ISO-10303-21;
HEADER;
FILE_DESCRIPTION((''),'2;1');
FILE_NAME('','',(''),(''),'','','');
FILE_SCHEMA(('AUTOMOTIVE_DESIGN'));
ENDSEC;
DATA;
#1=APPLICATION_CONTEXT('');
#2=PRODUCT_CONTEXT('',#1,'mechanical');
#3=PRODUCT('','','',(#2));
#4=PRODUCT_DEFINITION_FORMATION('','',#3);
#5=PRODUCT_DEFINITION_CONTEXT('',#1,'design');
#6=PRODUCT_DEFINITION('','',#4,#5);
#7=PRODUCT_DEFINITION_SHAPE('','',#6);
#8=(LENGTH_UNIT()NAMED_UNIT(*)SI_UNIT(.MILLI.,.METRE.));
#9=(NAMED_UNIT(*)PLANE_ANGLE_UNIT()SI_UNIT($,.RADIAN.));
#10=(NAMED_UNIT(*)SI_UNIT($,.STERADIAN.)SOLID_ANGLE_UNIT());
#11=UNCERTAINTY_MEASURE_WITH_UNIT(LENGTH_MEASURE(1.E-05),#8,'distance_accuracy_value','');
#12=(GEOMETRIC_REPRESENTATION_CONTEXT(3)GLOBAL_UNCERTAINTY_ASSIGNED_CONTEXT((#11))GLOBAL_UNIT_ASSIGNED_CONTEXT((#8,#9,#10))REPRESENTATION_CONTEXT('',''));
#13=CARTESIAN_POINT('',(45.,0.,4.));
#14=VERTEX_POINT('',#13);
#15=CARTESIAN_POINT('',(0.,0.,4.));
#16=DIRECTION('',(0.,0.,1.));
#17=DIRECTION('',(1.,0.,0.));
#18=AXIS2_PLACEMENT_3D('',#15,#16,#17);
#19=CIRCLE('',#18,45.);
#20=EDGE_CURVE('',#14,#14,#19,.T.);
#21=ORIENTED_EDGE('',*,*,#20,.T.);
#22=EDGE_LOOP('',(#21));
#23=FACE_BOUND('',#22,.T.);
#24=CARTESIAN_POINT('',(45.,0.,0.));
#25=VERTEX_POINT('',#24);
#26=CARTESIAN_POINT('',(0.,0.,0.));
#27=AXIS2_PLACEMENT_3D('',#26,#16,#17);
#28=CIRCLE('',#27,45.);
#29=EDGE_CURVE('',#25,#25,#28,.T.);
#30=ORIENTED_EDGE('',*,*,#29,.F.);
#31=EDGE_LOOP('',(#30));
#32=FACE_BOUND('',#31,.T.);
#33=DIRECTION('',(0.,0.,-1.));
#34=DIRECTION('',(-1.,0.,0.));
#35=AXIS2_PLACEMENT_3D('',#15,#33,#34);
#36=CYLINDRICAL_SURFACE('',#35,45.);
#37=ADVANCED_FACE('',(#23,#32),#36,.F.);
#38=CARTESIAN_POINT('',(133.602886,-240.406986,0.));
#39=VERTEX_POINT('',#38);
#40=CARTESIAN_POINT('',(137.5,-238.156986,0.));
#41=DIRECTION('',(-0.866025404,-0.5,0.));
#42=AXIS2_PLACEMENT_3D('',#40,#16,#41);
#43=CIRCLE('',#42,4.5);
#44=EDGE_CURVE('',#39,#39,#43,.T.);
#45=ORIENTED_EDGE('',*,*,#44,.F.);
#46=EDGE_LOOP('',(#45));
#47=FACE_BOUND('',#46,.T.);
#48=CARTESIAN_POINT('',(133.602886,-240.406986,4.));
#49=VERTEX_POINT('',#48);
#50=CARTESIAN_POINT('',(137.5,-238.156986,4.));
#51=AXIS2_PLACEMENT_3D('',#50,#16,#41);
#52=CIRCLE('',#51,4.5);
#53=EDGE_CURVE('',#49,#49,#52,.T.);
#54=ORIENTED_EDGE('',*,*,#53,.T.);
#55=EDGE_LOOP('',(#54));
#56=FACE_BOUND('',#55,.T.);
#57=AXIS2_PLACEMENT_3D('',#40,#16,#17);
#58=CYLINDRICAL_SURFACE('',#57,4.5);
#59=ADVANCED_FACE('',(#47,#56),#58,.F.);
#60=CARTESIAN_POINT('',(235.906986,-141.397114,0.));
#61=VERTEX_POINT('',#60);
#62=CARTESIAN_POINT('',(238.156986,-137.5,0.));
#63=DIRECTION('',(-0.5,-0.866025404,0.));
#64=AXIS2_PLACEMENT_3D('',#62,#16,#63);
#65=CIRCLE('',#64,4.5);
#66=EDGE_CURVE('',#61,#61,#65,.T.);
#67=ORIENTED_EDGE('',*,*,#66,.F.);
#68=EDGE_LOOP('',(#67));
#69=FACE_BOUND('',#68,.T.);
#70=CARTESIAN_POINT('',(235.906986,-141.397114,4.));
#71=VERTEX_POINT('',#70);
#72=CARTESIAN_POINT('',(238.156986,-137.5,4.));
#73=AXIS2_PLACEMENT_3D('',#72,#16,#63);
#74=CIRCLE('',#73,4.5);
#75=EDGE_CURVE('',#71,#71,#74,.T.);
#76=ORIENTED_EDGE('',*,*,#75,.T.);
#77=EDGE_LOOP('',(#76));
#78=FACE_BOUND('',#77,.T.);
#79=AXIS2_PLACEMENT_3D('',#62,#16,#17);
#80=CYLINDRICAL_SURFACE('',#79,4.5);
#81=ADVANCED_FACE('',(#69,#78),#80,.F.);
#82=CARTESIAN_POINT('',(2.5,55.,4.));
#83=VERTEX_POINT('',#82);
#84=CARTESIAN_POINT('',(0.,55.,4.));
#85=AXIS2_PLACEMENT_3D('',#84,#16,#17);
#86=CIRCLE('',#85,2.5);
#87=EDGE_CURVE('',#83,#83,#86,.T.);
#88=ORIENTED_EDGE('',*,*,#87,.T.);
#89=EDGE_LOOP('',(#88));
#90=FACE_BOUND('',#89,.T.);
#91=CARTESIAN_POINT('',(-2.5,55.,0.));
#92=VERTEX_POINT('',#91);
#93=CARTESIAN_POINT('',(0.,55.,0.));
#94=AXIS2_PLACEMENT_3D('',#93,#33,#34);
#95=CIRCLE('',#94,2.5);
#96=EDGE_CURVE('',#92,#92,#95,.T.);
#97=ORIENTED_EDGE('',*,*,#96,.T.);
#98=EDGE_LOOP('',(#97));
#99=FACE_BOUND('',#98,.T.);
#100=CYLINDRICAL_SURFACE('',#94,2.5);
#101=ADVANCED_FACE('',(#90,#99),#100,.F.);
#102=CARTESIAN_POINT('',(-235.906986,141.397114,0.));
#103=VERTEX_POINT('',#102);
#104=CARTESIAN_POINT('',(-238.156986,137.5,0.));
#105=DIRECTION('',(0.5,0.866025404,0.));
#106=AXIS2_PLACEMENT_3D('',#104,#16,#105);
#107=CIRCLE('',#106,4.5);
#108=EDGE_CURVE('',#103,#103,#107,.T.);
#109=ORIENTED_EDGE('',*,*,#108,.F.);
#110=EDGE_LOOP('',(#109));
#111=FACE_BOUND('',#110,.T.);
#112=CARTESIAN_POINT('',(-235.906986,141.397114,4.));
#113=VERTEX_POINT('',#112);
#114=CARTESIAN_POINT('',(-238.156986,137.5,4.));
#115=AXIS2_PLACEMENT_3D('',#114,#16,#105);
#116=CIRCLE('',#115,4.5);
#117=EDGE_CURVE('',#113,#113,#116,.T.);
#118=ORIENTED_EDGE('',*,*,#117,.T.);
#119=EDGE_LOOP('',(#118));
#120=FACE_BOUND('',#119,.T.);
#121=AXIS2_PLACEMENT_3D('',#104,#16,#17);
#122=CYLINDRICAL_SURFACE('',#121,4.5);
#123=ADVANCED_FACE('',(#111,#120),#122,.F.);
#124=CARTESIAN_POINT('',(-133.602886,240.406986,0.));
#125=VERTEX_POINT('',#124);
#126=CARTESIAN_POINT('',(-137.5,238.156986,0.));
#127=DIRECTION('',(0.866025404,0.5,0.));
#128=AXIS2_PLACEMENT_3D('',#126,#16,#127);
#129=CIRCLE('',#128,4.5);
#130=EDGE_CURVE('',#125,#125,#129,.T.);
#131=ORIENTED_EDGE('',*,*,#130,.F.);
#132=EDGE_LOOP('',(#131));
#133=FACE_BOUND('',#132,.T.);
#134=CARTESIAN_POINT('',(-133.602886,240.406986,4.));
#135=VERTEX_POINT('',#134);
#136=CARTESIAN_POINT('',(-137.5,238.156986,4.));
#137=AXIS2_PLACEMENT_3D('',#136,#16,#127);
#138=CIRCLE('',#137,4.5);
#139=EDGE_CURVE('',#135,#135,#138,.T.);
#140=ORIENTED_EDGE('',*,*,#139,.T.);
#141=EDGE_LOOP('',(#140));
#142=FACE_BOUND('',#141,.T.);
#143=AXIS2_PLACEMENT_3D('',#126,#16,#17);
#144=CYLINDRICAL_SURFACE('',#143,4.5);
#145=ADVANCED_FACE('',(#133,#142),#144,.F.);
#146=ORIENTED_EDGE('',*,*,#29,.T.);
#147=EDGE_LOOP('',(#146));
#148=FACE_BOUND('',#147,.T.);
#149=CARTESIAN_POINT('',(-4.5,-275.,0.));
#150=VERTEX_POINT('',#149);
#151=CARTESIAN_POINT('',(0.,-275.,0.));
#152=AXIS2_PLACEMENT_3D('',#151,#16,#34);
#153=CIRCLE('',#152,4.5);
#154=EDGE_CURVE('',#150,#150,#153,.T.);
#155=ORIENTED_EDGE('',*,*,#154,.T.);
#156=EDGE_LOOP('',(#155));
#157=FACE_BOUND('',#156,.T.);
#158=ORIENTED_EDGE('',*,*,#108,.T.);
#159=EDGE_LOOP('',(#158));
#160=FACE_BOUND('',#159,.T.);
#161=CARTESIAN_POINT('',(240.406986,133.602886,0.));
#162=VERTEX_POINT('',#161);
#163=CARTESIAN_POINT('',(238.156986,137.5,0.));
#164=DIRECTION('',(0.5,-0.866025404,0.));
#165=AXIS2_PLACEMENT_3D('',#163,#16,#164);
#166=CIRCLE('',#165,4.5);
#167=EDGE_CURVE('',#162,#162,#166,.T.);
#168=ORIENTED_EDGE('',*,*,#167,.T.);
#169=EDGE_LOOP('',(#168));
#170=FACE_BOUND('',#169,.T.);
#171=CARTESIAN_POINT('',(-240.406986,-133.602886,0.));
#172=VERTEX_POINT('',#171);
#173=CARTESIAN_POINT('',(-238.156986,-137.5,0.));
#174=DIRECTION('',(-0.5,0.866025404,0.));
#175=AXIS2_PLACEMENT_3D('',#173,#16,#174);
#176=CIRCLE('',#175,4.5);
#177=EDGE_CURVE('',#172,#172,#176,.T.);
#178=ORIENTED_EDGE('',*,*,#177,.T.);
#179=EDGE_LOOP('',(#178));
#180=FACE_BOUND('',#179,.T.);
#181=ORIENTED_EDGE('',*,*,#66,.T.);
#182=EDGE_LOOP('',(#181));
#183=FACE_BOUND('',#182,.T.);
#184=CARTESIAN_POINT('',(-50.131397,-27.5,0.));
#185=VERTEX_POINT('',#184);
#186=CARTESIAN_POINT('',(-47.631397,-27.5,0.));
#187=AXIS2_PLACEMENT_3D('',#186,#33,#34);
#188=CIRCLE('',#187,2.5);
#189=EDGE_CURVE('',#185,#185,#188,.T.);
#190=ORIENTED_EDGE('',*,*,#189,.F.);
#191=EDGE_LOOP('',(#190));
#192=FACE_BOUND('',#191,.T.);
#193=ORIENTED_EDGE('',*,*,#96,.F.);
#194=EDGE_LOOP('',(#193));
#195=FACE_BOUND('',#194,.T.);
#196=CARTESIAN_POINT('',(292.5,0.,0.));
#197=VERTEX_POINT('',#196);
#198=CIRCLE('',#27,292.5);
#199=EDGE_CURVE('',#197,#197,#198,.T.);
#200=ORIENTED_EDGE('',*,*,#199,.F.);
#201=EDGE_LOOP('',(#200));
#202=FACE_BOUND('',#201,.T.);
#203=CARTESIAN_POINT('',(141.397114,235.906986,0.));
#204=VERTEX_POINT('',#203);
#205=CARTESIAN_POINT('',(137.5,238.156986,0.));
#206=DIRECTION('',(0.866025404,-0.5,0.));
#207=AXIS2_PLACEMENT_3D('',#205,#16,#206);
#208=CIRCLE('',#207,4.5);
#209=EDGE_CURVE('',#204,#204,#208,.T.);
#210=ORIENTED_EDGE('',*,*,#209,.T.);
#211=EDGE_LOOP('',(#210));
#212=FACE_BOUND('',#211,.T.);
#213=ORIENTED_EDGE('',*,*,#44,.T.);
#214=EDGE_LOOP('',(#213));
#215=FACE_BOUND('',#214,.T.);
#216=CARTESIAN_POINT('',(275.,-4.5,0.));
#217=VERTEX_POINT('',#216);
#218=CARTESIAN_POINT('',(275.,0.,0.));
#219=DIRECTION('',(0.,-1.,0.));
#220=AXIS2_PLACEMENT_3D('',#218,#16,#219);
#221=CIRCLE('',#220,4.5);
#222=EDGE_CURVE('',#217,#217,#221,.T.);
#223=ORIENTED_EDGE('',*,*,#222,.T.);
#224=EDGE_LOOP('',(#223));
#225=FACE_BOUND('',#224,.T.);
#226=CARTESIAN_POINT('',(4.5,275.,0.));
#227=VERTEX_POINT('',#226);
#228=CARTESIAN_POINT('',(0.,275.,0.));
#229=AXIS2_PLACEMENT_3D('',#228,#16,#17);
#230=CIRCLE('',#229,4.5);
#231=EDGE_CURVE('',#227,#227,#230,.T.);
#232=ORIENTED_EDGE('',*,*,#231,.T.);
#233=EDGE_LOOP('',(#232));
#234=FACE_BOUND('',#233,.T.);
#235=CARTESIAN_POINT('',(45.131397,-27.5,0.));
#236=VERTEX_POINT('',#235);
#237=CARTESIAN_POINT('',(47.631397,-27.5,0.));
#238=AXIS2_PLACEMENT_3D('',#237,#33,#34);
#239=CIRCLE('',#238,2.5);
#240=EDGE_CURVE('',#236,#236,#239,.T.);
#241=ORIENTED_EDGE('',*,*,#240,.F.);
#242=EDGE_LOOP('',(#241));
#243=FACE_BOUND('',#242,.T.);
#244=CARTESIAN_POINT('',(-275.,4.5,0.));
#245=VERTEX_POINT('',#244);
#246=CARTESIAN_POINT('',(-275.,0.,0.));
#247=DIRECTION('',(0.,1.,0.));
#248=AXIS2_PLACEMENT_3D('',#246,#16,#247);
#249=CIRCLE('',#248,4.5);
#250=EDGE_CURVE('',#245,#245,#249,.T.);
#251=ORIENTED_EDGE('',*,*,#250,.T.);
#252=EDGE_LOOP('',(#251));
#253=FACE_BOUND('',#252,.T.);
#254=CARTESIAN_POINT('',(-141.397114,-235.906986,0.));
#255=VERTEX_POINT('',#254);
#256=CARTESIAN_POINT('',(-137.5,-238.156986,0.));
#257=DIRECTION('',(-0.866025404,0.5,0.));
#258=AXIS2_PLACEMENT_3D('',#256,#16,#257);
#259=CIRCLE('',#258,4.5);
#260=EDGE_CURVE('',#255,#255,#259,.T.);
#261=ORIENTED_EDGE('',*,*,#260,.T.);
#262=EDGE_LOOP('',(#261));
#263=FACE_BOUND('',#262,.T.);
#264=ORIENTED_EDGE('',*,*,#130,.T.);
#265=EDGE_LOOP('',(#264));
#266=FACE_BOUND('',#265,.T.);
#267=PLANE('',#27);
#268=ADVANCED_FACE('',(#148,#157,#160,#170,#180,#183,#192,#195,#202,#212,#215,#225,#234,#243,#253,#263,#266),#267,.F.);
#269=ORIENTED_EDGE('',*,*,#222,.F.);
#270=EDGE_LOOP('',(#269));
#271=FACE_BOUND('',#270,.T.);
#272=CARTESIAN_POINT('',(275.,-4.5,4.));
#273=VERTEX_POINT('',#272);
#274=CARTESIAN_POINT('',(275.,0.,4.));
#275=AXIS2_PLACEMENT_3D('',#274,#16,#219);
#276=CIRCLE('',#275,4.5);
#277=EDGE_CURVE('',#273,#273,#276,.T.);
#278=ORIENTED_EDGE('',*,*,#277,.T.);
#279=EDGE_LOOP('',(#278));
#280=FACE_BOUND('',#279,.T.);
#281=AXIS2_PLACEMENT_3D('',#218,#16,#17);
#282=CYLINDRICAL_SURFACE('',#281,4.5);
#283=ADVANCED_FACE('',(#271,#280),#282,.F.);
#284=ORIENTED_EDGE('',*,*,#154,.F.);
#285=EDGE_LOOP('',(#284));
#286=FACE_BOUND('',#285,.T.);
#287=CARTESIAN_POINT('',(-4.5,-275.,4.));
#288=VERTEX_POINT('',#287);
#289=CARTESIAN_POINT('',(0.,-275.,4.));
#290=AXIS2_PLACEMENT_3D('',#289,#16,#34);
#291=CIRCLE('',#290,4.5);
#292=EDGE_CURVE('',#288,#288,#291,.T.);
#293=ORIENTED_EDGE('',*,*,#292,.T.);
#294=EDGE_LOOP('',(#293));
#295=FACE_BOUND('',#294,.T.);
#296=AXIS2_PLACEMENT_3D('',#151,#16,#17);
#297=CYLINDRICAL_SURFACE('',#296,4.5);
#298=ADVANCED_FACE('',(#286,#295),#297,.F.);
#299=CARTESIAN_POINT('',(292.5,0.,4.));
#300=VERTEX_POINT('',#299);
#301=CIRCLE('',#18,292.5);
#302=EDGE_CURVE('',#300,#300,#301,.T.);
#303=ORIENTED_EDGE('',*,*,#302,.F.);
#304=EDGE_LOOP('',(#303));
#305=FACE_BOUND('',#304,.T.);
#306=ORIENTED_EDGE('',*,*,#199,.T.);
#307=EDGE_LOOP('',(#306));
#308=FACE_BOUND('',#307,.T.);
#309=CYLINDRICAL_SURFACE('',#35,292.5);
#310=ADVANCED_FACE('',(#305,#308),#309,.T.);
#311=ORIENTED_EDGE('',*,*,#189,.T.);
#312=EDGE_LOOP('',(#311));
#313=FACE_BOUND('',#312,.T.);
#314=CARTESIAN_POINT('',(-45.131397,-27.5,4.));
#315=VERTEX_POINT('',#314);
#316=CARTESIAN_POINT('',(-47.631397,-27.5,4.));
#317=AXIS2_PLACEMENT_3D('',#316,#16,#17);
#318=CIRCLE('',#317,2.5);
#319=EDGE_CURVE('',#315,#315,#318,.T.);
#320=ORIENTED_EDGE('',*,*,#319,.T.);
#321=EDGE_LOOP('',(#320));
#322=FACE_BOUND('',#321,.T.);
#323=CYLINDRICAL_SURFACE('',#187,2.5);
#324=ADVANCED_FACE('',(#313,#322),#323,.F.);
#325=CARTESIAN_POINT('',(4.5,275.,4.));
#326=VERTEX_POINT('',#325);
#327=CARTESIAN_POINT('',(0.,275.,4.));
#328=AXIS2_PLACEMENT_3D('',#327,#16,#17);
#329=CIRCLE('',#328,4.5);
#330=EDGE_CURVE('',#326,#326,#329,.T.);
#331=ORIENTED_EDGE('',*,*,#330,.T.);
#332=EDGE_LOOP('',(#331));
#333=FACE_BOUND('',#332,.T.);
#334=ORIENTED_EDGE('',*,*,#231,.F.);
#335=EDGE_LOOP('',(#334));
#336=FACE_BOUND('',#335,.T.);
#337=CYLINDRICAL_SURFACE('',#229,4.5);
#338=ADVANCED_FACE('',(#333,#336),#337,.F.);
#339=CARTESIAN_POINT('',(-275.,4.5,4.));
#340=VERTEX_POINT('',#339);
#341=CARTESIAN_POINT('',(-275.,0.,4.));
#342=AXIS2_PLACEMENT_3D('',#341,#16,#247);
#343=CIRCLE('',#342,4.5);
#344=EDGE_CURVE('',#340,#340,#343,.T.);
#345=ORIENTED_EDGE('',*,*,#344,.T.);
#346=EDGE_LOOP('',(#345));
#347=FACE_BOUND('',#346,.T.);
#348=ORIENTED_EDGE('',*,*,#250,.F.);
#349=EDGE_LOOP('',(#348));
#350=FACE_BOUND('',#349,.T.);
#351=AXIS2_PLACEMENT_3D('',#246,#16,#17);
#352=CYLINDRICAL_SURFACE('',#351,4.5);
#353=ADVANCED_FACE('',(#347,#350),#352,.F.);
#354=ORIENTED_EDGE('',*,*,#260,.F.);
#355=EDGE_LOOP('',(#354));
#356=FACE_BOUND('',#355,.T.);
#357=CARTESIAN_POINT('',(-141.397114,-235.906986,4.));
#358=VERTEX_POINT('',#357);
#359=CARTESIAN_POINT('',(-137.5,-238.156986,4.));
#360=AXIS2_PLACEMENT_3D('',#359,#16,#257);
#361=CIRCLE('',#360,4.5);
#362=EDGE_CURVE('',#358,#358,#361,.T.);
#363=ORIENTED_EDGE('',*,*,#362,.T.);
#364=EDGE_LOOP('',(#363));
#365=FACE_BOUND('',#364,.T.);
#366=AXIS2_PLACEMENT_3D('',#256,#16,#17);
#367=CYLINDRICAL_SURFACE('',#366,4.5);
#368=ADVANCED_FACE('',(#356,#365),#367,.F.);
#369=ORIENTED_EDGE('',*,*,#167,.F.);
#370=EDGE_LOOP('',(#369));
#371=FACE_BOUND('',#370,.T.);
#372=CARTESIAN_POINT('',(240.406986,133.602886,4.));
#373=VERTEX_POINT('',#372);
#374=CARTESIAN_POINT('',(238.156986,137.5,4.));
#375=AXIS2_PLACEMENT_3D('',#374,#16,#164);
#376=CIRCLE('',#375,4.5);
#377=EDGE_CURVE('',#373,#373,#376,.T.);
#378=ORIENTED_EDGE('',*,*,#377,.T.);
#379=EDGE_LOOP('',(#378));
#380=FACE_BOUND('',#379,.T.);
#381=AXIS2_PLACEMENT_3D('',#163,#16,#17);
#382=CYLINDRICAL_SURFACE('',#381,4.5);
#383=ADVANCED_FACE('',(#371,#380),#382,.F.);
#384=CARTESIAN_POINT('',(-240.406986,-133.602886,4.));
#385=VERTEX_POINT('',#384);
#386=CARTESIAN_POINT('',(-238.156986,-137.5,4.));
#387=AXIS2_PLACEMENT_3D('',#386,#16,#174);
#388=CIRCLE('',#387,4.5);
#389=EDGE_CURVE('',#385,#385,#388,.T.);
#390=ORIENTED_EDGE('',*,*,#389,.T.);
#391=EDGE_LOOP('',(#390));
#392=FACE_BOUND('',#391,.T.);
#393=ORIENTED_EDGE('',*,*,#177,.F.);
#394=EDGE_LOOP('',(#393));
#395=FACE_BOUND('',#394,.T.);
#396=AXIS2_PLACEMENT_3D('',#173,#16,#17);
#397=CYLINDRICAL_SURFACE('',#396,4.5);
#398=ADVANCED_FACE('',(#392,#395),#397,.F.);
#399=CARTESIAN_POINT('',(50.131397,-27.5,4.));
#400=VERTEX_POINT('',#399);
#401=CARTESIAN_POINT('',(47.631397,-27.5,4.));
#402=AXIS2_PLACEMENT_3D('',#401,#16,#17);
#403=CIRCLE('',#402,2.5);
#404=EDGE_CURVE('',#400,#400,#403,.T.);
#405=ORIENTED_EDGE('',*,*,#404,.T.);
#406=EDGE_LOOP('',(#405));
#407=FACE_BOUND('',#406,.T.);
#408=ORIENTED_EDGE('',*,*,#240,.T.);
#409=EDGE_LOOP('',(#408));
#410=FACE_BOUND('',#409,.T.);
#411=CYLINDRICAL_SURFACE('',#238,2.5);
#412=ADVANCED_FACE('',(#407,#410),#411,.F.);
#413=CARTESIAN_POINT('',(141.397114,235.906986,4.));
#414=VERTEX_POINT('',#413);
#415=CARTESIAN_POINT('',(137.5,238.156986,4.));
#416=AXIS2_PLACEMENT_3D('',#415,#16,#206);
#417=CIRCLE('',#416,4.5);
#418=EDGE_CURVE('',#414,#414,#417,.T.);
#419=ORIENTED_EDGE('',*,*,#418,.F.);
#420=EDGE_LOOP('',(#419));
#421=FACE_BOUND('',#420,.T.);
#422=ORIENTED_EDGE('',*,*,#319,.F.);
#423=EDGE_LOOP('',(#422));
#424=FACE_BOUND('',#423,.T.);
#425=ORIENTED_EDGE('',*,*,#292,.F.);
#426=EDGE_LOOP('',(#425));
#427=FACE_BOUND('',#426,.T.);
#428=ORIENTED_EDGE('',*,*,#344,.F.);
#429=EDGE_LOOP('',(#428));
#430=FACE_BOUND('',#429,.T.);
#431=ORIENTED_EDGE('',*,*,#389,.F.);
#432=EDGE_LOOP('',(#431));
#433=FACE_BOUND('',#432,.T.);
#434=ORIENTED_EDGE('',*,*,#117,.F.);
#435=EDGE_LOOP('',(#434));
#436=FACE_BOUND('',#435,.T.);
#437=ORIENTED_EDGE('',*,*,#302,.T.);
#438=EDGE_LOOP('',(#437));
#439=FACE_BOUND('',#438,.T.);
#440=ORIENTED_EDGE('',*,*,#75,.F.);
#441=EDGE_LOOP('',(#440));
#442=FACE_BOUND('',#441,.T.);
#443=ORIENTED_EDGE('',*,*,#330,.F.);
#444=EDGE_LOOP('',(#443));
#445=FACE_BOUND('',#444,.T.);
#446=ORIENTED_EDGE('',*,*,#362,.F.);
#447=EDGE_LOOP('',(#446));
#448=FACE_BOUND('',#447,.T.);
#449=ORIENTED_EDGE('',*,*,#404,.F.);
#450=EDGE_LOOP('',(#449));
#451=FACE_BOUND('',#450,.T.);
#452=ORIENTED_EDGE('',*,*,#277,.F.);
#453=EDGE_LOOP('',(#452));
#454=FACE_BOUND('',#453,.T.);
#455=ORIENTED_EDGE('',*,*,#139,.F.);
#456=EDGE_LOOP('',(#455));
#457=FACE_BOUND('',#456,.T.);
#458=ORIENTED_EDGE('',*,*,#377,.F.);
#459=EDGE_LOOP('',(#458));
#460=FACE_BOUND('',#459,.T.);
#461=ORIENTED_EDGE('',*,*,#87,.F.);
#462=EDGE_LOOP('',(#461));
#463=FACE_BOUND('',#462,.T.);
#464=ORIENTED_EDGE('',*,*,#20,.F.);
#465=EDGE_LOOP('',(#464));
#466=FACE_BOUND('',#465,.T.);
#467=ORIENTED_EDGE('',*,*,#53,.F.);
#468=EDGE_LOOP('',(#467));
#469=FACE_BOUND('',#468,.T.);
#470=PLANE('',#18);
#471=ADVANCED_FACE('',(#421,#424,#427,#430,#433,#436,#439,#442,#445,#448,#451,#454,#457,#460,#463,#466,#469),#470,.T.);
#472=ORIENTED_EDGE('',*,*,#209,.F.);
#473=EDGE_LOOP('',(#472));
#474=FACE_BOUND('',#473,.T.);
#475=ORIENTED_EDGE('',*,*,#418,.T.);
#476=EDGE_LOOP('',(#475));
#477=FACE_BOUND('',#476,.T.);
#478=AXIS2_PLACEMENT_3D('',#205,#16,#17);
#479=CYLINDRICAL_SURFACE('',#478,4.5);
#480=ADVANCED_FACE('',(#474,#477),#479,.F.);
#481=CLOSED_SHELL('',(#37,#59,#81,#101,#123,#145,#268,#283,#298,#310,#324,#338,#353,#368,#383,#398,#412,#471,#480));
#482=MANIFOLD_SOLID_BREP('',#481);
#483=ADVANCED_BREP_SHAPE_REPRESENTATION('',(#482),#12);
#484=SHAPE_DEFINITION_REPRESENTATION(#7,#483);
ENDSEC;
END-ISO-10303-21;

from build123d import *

# Parameters (mm, degrees)
SKETCH1_R           = 292.5
SKETCH1_R_2         = 45
BOSS_EXTRUDE1_DEPTH = 4
SKETCH2_R           = 4.5
CUT_EXTRUDE1_DEPTH  = 414.676806215
CIRPATTERN1_COUNT   = 12
CIRPATTERN3_COUNT   = 3


with BuildPart() as part:
    # Sketch1 → Boss-Extrude1 (new body)
    with BuildSketch(Plane.XY):
        Circle(SKETCH1_R)
        Circle(SKETCH1_R_2, mode=Mode.SUBTRACT)
    extrude(amount=BOSS_EXTRUDE1_DEPTH)

    # Sketch2 → Cut-Extrude1 (cut, through all)
    with BuildSketch(Plane.XY.offset(4)):
        with Locations((0, 275)):
            Circle(SKETCH2_R)
    cut_extrude1 = extrude(amount=-CUT_EXTRUDE1_DEPTH, mode=Mode.SUBTRACT)

    # CirPattern1: Cut-Extrude1 ×12 about axis
    cirpattern1_axis = Axis((0, 0, 0), (0, 0, 1))
    for i in range(1, CIRPATTERN1_COUNT):
        add(cut_extrude1.rotate(cirpattern1_axis, i * 360 / CIRPATTERN1_COUNT), mode=Mode.SUBTRACT)

    # Sketch6 → M6x1.0 Tapped Hole1 (revolve, cut)
    with BuildSketch(Plane(origin=(0, 55, 0), x_dir=(0, 1, 0), z_dir=(1, 0, 0))):
        Polygon((0, 0), (0, 16.502151548), (2.5, 15), (2.5, 0), align=None)
    m6x1_0_tapped_hole1 = revolve(axis=Axis((0, 55, -6.35), (0, 0, 1)), mode=Mode.SUBTRACT)

    # CirPattern3: M6x1.0 Tapped Hole1 ×3 about axis
    cirpattern3_axis = Axis((0, 0, 0), (0, 0, 1))
    for i in range(1, CIRPATTERN3_COUNT):
        add(m6x1_0_tapped_hole1.rotate(cirpattern3_axis, i * 360 / CIRPATTERN3_COUNT), mode=Mode.SUBTRACT)


solid = part.part
